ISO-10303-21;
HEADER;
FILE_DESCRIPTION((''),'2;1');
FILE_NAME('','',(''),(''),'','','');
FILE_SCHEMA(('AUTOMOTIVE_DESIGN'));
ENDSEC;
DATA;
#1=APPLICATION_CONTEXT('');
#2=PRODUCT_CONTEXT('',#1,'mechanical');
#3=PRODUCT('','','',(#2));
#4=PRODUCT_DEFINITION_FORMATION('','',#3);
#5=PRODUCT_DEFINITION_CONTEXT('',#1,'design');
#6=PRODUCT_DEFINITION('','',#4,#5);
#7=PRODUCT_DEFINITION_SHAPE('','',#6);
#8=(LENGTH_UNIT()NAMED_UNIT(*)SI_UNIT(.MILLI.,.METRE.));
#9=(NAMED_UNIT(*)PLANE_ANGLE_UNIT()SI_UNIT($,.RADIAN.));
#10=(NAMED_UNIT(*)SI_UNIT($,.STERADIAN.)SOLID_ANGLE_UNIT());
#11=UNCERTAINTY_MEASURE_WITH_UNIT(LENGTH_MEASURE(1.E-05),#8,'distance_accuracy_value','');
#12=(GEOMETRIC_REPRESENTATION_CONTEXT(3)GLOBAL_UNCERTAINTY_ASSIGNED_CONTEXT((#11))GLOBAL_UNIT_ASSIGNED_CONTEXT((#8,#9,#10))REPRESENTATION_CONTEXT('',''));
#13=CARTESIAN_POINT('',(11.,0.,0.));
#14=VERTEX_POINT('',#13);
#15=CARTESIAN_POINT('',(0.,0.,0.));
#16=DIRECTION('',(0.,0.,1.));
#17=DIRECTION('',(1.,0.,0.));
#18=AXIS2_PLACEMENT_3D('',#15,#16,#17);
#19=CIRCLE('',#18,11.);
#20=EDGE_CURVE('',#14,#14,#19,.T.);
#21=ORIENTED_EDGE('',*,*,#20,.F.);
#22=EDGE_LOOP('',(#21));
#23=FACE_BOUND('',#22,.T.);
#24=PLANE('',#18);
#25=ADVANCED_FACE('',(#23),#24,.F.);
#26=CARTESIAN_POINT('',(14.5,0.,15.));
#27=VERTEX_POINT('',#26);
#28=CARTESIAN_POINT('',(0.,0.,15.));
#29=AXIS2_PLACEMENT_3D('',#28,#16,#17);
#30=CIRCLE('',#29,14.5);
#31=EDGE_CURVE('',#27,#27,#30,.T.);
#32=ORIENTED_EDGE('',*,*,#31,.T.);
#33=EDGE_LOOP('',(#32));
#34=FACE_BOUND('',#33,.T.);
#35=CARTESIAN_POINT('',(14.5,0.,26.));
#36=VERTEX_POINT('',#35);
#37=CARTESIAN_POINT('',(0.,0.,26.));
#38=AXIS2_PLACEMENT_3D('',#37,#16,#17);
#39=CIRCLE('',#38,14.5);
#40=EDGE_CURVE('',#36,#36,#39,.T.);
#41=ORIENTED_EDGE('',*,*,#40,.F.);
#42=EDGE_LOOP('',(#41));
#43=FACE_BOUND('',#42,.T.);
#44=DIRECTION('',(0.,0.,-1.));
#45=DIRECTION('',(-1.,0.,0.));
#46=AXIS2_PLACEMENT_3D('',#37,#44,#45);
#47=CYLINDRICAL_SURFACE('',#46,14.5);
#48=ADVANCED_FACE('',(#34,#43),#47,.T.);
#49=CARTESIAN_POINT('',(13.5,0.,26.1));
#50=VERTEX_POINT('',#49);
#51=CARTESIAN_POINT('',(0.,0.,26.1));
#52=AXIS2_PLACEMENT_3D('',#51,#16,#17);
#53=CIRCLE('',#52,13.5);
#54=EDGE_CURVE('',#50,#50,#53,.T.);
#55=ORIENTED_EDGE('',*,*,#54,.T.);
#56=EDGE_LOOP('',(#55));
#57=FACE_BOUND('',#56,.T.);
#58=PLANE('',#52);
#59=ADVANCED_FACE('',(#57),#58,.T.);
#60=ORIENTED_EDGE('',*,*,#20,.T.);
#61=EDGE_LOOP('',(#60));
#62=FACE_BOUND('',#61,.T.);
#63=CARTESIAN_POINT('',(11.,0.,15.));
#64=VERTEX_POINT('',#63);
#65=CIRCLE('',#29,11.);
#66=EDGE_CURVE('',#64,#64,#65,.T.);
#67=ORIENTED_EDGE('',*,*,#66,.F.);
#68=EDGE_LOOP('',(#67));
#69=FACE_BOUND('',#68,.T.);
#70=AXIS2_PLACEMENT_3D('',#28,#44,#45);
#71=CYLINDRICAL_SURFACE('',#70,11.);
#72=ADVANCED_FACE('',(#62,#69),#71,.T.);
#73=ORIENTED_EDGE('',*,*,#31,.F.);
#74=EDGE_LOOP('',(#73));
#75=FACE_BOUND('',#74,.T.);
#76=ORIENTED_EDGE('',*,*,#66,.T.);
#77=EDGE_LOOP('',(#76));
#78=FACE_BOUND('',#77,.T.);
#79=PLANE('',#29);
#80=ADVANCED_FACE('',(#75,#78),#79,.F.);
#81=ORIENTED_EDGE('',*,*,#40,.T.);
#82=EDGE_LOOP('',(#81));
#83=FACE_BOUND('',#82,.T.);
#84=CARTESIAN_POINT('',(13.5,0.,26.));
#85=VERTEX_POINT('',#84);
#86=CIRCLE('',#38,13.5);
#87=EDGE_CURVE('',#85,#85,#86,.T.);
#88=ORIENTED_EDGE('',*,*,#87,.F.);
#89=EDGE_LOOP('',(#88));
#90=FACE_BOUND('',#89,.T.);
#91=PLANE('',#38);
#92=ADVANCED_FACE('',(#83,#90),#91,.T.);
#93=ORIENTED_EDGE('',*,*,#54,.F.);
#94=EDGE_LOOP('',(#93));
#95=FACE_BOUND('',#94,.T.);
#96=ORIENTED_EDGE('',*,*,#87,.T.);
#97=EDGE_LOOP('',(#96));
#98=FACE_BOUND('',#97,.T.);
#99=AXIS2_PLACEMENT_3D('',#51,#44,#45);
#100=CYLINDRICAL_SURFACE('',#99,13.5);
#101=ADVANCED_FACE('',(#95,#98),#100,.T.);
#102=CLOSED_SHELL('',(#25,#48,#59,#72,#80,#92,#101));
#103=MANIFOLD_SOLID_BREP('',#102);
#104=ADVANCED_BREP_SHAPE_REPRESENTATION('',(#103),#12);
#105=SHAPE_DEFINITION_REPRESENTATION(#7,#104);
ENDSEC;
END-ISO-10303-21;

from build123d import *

# Parameters (mm, degrees)
SKETCH_1_R      = 11
EXTRUDE_1_DEPTH = 15
SKETCH_2_R      = 14.5
EXTRUDE_2_DEPTH = 11
SKETCH_3_R      = 13.5
EXTRUDE_3_DEPTH = 0.1


with BuildPart() as part:
    # 草图1 → 凸台-拉伸1 (new body)
    with BuildSketch(Plane.XY):
        Circle(SKETCH_1_R)
    extrude(amount=EXTRUDE_1_DEPTH)

    # 草图2 → 凸台-拉伸2 (add)
    with BuildSketch(Plane.XY.offset(15)):
        Circle(SKETCH_2_R)
    extrude(amount=EXTRUDE_2_DEPTH)

    # 草图3 → 凸台-拉伸3 (add)
    with BuildSketch(Plane.XY.offset(26)):
        Circle(SKETCH_3_R)
    extrude(amount=EXTRUDE_3_DEPTH)


solid = part.part
